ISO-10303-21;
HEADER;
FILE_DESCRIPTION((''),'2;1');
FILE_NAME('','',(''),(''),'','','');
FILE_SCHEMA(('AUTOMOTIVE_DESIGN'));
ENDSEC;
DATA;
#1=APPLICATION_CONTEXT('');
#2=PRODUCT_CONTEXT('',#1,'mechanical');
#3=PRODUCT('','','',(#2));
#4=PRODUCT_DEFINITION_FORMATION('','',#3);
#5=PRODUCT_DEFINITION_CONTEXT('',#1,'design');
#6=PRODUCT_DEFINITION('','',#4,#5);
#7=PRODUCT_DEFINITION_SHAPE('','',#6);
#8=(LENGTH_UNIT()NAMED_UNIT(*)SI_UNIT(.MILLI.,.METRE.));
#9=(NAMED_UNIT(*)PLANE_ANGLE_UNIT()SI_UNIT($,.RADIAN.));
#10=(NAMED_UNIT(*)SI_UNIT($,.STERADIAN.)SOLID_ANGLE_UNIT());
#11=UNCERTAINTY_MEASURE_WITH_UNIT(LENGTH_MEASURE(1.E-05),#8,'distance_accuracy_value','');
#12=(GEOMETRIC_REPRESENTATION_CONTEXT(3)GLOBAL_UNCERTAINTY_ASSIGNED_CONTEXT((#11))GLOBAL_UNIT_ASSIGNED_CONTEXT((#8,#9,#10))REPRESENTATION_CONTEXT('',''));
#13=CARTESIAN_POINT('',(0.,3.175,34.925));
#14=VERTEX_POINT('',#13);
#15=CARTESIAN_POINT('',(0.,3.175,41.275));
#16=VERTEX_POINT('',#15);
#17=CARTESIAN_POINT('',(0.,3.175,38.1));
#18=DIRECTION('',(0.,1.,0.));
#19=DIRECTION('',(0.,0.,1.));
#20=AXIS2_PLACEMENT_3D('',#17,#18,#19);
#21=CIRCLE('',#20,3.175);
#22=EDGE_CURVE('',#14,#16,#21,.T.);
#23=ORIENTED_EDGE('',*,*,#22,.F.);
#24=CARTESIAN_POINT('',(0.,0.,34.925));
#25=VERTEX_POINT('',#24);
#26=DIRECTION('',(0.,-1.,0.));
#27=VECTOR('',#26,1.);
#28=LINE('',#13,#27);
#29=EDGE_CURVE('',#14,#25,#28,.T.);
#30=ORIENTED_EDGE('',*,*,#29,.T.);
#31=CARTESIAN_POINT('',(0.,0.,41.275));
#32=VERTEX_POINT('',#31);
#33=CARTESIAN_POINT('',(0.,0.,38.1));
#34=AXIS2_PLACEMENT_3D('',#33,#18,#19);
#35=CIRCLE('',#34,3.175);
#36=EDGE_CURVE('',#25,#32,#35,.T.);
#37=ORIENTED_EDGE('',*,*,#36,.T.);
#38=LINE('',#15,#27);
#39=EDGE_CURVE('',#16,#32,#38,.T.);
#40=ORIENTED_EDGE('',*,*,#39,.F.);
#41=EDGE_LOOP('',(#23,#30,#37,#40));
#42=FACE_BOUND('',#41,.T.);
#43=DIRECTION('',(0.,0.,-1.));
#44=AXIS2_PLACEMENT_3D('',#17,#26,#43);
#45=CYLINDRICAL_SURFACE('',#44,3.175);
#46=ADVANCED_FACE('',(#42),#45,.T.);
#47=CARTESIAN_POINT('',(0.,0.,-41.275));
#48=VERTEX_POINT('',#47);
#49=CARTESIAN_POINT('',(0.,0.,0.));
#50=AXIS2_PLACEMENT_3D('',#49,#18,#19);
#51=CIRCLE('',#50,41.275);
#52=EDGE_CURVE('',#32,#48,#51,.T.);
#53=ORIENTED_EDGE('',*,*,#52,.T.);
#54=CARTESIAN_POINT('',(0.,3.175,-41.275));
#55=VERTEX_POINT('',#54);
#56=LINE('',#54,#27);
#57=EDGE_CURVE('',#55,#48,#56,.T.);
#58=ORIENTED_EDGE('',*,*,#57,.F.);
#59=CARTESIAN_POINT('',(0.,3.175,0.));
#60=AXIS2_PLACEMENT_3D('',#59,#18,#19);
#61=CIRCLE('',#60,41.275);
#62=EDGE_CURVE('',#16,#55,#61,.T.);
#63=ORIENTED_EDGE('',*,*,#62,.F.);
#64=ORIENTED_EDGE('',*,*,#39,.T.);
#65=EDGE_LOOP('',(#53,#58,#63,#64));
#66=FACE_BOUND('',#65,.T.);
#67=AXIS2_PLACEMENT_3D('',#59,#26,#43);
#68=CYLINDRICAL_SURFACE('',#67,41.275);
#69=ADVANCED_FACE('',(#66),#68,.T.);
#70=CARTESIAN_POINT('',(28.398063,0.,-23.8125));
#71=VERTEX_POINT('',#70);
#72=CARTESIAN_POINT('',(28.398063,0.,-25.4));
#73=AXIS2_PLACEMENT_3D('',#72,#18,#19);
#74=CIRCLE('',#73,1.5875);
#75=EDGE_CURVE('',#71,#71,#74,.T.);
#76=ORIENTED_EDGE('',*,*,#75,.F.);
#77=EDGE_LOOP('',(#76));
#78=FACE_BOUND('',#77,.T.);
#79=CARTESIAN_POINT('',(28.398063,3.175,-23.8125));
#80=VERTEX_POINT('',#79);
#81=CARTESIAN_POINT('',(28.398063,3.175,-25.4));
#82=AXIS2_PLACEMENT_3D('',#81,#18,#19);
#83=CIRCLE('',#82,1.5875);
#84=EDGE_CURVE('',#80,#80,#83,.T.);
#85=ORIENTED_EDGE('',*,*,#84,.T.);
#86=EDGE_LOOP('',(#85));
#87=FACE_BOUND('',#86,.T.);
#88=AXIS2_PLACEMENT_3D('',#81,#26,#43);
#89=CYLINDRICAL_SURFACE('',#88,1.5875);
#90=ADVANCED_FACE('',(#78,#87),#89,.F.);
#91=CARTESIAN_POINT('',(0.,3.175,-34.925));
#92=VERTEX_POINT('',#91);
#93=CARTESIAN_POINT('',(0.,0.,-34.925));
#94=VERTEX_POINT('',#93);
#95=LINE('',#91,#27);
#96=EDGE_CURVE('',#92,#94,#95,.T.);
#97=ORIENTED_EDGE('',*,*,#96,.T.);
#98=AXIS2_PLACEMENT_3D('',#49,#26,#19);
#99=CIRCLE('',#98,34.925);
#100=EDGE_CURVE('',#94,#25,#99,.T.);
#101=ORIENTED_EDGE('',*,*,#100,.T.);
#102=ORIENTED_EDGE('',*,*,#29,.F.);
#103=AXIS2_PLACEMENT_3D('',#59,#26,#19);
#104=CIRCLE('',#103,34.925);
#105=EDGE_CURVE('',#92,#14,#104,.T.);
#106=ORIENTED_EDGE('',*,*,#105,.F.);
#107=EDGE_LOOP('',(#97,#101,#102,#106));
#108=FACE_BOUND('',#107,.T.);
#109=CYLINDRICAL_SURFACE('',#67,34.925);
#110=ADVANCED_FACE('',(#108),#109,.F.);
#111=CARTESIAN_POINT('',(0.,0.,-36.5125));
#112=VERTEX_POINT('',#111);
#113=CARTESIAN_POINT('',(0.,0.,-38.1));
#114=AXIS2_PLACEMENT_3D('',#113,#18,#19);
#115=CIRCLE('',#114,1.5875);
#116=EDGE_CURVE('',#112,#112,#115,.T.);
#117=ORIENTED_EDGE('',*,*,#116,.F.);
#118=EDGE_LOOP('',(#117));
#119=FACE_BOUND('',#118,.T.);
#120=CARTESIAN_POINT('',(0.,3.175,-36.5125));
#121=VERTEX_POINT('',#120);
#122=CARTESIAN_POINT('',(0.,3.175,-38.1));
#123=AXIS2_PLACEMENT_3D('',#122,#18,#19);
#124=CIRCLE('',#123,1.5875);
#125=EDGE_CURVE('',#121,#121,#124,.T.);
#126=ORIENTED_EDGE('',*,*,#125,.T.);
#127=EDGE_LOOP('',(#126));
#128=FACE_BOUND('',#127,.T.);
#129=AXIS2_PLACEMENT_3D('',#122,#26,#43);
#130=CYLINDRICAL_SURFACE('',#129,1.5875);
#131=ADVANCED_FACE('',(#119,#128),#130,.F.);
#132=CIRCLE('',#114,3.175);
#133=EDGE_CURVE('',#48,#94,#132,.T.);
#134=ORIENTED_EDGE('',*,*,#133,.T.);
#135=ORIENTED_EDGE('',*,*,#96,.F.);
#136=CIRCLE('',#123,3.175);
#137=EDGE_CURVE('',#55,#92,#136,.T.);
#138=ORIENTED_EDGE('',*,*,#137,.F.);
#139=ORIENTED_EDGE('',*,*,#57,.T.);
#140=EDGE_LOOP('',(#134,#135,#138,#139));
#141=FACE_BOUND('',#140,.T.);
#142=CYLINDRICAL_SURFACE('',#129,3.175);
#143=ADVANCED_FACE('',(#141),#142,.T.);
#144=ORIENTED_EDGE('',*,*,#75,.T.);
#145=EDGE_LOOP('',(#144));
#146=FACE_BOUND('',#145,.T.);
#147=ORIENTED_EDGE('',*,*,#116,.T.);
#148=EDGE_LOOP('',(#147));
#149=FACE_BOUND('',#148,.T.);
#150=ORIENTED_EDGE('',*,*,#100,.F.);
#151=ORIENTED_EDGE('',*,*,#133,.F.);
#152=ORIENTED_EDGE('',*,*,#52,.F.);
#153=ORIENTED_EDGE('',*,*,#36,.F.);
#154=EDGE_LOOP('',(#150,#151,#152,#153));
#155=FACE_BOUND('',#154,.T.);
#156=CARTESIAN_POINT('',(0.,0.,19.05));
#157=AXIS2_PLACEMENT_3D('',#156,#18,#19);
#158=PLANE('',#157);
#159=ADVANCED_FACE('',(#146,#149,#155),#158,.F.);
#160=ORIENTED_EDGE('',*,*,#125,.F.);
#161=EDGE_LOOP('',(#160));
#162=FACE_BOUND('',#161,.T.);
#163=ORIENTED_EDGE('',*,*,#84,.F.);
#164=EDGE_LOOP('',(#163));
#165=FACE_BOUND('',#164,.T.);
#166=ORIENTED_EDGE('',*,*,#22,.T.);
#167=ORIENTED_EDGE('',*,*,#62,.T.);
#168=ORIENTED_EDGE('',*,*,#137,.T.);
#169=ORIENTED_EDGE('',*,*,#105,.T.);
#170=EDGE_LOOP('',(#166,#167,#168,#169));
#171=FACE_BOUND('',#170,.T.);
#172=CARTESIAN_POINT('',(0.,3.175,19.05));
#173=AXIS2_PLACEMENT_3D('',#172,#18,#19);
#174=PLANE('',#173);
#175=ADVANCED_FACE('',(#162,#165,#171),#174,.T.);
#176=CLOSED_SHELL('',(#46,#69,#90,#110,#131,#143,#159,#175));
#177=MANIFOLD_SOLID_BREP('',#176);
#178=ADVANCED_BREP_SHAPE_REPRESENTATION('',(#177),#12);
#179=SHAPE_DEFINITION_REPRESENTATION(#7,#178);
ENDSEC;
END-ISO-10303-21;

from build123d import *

# Parameters (mm, degrees)
SKETCH2_R           = 1.5875
BOSS_EXTRUDE1_DEPTH = 3.175


with BuildPart() as part:
    # Sketch2 → Boss-Extrude1 (new body)
    with BuildSketch(Plane(origin=(0, 0, 0), x_dir=(1, 0, 0), z_dir=(0, 1, 0))):
        with BuildLine():
            ThreePointArc((0, -41.275), (41.275, 0), (0, 41.275))
            ThreePointArc((0, 41.275), (-3.175, 38.1), (0, 34.925))
            ThreePointArc((0, 34.925), (34.925, 0), (0, -34.925))
            ThreePointArc((0, -34.925), (-3.175, -38.1), (0, -41.275))
        make_face()
        with Locations(Location((28.398063314, 25.4, 0), (0, 0, 270))):
            Circle(SKETCH2_R, mode=Mode.SUBTRACT)
        with Locations(Location((0, 38.1, 0), (0, 0, 270))):
            Circle(SKETCH2_R, mode=Mode.SUBTRACT)
    extrude(amount=BOSS_EXTRUDE1_DEPTH)


solid = part.part
